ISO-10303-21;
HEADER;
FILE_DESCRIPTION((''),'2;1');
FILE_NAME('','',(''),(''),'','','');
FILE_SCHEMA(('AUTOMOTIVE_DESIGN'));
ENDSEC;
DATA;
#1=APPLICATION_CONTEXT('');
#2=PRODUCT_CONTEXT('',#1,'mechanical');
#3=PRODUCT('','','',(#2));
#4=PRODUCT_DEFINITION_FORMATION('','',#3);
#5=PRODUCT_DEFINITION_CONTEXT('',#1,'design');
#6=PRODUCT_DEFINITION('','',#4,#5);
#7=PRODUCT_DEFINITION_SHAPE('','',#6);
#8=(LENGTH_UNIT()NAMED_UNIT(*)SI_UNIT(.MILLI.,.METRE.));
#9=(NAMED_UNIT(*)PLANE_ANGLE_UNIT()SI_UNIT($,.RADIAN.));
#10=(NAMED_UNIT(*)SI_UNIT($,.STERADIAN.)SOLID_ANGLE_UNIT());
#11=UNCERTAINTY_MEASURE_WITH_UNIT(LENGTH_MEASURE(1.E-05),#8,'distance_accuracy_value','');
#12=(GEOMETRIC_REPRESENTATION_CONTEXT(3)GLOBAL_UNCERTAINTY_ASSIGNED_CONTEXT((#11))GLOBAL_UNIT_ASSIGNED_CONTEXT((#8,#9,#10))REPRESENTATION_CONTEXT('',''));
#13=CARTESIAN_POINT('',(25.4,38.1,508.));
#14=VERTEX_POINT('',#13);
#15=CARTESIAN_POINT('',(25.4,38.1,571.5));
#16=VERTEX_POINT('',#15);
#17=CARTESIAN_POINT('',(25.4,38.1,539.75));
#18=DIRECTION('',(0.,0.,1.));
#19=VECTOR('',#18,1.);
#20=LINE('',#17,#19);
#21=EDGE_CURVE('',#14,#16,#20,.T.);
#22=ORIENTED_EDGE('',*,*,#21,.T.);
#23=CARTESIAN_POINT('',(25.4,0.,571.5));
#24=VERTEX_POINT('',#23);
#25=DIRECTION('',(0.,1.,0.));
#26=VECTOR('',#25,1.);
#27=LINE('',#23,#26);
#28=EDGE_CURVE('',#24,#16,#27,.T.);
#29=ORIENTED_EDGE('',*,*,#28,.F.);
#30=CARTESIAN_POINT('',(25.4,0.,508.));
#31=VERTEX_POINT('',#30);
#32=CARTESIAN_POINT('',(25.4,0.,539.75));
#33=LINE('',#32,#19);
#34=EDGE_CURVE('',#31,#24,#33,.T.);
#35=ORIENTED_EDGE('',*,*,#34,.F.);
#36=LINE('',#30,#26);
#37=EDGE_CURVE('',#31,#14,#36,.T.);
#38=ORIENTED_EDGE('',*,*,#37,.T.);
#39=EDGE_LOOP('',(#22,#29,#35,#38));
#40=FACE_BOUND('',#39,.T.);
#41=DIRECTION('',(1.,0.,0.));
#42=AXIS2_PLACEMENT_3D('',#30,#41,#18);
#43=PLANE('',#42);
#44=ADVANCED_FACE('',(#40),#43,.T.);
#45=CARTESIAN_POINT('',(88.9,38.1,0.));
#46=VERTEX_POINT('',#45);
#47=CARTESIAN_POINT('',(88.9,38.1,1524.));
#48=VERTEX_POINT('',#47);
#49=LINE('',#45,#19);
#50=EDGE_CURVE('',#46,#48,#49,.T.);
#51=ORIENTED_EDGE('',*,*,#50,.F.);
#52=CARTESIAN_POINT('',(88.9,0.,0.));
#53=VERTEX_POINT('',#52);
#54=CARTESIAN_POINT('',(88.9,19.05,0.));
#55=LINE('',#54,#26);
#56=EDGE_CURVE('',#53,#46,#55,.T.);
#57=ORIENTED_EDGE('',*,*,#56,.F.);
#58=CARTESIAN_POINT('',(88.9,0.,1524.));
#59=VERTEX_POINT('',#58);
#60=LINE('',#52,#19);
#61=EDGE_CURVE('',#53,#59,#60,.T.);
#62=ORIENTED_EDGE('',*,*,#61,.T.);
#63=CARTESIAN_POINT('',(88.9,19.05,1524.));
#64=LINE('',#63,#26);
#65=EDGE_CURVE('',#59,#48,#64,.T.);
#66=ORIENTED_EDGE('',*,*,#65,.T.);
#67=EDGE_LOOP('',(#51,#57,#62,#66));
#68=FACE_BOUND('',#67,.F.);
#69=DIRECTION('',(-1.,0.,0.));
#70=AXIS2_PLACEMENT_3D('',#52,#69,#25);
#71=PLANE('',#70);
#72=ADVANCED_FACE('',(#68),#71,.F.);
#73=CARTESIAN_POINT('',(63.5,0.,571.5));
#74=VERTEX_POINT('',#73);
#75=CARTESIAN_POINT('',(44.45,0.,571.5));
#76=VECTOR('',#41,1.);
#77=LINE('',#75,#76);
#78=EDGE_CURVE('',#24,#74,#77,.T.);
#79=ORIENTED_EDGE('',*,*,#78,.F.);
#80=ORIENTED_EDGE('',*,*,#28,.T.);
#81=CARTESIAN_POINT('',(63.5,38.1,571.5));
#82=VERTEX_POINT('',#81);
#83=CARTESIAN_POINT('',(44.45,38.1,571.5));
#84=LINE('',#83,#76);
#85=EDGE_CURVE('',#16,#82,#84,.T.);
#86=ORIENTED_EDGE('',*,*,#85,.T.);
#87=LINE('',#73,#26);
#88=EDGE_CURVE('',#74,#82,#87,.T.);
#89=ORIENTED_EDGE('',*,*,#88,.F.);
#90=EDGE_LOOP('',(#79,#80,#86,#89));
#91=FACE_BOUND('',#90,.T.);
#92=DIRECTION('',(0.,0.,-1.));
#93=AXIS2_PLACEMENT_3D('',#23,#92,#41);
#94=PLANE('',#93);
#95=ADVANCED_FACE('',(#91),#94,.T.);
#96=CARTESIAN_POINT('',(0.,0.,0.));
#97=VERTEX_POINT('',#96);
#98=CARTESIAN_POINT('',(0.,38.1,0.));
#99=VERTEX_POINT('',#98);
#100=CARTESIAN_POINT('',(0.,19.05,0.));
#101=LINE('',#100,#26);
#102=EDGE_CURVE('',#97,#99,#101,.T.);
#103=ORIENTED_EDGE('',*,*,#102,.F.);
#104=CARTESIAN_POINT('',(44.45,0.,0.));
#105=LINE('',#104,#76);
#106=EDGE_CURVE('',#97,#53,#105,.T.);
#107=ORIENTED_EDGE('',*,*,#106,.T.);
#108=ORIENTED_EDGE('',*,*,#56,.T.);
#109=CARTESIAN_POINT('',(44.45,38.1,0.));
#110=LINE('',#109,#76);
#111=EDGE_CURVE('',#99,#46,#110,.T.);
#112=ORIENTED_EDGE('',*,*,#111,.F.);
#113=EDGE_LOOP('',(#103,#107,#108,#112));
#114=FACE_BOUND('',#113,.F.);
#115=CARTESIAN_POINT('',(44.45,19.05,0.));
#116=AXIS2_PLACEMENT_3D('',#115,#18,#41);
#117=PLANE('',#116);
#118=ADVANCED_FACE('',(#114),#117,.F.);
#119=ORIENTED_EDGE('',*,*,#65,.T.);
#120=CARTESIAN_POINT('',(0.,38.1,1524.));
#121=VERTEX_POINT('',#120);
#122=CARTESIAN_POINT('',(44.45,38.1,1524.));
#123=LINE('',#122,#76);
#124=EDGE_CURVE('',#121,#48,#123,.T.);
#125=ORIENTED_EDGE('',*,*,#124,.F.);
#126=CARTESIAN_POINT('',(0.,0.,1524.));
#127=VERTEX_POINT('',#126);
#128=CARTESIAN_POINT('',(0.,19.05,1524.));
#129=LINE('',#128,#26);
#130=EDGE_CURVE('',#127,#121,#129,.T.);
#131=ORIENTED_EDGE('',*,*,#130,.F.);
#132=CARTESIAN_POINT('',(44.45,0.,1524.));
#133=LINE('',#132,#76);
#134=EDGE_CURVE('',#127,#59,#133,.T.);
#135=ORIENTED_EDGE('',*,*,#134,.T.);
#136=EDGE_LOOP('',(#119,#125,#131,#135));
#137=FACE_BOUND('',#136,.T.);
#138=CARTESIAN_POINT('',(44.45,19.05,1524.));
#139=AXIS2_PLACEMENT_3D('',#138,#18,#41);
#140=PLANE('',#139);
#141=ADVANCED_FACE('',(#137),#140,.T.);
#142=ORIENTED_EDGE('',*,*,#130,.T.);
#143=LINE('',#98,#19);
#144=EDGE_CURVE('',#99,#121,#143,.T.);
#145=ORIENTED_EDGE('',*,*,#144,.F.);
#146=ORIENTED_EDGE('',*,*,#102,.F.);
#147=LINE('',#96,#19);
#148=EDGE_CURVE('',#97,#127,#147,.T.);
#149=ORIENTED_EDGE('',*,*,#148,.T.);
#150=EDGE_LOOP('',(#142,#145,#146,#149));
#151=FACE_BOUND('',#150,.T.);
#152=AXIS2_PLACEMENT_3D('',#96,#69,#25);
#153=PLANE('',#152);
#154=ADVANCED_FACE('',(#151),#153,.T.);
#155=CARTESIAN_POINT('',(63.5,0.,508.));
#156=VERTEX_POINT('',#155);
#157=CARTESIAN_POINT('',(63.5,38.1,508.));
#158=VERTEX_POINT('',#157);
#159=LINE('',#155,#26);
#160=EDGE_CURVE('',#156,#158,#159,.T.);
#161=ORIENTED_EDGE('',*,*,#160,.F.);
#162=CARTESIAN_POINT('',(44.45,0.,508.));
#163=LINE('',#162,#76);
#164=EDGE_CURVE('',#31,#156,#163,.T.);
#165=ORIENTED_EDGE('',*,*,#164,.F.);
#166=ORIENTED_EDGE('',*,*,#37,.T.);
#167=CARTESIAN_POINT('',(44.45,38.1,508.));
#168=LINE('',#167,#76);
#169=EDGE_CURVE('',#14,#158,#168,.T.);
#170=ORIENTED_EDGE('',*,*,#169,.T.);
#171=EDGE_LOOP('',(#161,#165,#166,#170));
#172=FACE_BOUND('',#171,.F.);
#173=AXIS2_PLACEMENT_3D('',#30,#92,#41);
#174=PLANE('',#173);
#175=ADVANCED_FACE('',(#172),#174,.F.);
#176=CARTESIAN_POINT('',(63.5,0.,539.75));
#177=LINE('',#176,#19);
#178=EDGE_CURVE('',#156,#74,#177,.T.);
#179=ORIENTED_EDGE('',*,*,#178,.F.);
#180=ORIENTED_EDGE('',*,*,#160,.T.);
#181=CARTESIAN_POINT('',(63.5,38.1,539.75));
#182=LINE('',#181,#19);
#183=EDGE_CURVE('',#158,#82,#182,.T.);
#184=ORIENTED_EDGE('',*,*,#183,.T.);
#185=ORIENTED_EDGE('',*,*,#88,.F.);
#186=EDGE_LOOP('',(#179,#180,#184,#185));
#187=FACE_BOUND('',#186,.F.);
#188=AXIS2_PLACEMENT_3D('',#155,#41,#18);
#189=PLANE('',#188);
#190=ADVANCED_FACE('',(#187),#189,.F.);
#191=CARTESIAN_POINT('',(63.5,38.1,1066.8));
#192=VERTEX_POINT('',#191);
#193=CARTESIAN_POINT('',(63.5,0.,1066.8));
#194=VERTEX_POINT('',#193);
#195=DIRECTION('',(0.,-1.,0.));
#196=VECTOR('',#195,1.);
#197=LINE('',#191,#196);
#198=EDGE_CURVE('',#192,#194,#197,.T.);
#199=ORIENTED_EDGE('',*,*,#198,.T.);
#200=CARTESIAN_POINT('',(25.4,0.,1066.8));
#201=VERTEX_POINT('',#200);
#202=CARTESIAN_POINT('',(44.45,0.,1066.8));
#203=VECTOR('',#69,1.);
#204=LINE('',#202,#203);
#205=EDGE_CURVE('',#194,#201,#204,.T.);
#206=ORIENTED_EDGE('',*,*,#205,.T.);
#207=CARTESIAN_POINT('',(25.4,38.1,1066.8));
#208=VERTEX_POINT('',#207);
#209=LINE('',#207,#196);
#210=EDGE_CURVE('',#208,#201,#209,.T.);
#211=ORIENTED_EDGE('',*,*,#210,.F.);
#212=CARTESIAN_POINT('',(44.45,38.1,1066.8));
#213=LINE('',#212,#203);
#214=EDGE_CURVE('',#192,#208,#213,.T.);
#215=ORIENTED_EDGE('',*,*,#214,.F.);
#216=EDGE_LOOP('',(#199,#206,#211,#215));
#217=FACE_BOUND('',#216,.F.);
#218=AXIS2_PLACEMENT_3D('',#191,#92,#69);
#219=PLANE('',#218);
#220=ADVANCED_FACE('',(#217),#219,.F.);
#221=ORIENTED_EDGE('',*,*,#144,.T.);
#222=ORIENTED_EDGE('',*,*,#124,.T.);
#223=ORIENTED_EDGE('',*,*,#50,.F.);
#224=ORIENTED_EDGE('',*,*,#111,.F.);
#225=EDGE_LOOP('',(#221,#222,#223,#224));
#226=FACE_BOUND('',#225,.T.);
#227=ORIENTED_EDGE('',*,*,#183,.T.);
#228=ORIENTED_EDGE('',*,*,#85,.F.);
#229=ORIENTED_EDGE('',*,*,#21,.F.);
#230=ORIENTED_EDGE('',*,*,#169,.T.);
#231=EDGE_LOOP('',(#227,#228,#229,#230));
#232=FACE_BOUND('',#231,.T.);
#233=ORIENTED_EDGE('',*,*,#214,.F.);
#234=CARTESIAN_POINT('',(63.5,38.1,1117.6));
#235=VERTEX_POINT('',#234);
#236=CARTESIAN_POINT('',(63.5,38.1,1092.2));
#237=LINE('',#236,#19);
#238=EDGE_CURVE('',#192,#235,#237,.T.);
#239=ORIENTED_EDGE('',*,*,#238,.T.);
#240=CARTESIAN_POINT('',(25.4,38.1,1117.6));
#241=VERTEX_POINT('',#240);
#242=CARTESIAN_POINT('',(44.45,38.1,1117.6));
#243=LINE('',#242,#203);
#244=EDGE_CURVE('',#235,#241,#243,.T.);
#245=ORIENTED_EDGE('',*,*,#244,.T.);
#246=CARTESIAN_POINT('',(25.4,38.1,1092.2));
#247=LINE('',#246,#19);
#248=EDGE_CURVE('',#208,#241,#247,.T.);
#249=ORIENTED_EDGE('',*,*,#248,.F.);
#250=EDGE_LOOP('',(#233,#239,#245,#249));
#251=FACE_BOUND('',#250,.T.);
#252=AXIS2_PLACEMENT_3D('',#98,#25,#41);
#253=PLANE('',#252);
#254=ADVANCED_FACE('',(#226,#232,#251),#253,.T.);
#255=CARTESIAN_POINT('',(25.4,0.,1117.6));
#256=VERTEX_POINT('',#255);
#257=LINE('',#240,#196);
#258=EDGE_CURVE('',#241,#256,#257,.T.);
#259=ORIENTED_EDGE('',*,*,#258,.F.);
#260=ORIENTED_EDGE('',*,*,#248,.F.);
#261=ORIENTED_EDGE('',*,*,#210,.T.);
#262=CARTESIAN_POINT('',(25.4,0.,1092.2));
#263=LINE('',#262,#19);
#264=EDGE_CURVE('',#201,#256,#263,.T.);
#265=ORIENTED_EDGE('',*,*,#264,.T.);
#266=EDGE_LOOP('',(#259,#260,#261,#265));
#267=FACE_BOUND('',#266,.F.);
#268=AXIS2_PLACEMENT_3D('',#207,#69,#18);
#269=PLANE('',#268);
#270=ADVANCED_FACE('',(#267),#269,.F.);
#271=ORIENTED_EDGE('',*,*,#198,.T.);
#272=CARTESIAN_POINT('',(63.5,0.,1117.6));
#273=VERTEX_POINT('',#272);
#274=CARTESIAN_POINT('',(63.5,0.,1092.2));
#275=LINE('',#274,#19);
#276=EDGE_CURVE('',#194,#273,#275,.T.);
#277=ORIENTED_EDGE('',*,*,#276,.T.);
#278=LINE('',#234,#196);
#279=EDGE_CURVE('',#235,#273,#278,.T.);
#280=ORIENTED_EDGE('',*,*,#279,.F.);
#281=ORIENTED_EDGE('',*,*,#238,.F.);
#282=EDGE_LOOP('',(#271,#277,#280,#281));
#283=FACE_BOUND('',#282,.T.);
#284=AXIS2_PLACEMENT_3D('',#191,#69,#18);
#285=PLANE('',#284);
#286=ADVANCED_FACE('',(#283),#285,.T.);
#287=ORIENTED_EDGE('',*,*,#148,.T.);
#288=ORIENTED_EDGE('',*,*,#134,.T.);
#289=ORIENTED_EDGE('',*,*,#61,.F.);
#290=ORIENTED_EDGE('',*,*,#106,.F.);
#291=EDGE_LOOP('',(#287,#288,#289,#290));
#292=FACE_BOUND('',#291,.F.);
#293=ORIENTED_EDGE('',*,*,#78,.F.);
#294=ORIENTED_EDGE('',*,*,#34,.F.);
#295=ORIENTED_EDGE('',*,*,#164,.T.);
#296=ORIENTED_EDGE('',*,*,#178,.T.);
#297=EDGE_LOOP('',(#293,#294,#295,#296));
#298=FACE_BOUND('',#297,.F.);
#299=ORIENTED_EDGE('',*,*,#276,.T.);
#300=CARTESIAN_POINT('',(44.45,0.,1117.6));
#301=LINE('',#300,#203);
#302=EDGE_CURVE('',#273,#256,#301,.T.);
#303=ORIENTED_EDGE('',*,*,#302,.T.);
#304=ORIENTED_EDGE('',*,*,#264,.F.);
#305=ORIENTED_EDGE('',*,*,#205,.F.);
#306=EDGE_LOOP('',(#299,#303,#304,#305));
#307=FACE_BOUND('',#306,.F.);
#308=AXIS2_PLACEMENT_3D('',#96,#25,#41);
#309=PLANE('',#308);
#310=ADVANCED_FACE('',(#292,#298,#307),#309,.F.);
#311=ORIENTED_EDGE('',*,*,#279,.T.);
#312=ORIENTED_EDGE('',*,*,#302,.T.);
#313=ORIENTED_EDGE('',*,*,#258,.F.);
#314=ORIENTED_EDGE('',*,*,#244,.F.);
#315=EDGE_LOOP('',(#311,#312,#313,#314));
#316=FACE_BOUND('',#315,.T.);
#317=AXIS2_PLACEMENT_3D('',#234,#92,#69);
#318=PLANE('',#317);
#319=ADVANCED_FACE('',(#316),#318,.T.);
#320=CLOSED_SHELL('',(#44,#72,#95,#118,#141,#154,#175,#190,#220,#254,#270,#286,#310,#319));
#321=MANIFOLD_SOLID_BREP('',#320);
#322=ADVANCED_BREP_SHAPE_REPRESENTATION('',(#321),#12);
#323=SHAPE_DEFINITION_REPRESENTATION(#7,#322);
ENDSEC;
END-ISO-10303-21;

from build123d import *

# Parameters (mm, degrees)
F0_W     = 88.9
F0_H     = 38.1
F1_DEPTH = 1524
F2_W     = 38.1
F2_H     = 50.8
F3_DEPTH = 38.1
F4_W     = 38.1
F4_H     = 63.5
F5_DEPTH = 38.1


with BuildPart() as f1:
    # F0 (on Top) → F1 (new body)
    with BuildSketch(Plane.XY):
        with Locations((44.45, 19.05)):
            Rectangle(F0_W, F0_H)
    extrude(amount=F1_DEPTH)

    # F2 (on face) → F3 (cut, through all)
    with BuildSketch(Plane(origin=(0, 38.1, 0), x_dir=(-1, 0, 0), z_dir=(0, 1, 0))):
        with Locations((-44.45, 1092.2)):
            Rectangle(F2_W, F2_H)
    extrude(amount=-F3_DEPTH, mode=Mode.SUBTRACT)

    # F4 (on face) → F5 (cut, through all)
    with BuildSketch(Plane.XZ):
        with Locations((44.45, 539.75)):
            Rectangle(F4_W, F4_H)
    extrude(amount=-F5_DEPTH, mode=Mode.SUBTRACT)


solid = f1.part
